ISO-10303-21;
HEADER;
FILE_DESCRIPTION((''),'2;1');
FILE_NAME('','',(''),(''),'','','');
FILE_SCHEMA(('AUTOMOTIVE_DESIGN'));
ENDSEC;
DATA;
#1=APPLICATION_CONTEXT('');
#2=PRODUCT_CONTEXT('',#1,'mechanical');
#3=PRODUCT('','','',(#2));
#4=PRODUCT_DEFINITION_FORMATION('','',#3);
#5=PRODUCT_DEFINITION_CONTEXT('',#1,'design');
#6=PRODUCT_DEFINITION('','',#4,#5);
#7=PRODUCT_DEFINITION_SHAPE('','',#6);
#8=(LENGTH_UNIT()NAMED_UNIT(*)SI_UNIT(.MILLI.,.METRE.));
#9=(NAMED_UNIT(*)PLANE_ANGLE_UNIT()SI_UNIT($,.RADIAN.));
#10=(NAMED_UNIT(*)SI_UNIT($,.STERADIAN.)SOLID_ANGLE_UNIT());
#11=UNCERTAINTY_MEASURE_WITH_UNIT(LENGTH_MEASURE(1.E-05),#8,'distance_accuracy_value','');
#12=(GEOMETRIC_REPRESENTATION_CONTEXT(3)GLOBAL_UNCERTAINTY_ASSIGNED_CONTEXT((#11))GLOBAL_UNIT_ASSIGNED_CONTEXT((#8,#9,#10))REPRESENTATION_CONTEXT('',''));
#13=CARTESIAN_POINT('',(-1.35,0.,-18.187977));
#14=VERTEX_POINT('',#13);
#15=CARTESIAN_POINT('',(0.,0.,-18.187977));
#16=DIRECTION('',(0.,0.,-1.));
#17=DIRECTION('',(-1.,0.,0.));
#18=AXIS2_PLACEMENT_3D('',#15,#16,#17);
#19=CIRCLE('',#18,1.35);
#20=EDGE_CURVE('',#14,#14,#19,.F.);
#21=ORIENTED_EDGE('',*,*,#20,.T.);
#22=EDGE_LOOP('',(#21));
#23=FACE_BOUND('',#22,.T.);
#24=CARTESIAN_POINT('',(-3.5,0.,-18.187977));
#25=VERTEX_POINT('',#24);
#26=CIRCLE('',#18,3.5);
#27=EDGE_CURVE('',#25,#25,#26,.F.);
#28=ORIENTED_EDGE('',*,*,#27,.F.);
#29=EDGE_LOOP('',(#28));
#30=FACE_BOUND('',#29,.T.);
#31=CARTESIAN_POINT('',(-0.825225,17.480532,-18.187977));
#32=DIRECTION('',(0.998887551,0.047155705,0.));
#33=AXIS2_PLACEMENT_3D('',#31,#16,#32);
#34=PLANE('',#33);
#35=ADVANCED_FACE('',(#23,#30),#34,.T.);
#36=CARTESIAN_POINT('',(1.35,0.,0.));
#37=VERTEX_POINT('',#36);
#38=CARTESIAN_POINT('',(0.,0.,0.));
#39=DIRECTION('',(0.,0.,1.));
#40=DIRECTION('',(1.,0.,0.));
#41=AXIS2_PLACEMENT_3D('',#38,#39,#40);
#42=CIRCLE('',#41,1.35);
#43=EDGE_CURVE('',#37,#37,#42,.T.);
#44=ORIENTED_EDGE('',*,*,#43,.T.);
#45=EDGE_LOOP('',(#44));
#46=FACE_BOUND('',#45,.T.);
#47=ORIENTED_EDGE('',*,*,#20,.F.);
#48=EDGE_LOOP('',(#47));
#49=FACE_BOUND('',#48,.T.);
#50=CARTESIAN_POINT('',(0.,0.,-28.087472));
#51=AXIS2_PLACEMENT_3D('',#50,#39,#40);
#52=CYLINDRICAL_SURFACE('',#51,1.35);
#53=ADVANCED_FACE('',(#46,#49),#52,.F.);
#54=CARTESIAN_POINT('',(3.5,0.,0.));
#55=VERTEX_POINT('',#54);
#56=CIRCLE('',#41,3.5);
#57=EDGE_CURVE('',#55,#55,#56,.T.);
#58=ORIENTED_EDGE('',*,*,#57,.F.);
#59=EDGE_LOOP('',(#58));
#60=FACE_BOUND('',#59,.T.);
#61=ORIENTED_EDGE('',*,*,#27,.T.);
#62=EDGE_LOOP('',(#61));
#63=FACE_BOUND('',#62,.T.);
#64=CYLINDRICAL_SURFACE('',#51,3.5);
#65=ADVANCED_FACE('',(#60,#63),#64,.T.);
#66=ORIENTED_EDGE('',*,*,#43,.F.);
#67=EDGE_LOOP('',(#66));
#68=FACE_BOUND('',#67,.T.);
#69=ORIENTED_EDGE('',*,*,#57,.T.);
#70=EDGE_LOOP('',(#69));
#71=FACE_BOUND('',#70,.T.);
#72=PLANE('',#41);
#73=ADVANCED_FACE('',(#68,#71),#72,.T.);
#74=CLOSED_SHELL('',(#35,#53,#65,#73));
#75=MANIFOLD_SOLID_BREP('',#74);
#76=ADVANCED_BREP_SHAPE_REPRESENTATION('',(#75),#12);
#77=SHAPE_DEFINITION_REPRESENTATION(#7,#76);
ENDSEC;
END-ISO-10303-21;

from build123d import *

# Parameters (mm, degrees)
SKETCH1_R           = 3.5
SKETCH1_R_2         = 1.35
BOSS_EXTRUDE1_DEPTH = 18.187976831


with BuildPart() as part:
    # Sketch1 → Boss-Extrude1 (new body)
    with BuildSketch(Plane.XY):
        Circle(SKETCH1_R)
        Circle(SKETCH1_R_2, mode=Mode.SUBTRACT)
    extrude(amount=-BOSS_EXTRUDE1_DEPTH)


solid = part.part
